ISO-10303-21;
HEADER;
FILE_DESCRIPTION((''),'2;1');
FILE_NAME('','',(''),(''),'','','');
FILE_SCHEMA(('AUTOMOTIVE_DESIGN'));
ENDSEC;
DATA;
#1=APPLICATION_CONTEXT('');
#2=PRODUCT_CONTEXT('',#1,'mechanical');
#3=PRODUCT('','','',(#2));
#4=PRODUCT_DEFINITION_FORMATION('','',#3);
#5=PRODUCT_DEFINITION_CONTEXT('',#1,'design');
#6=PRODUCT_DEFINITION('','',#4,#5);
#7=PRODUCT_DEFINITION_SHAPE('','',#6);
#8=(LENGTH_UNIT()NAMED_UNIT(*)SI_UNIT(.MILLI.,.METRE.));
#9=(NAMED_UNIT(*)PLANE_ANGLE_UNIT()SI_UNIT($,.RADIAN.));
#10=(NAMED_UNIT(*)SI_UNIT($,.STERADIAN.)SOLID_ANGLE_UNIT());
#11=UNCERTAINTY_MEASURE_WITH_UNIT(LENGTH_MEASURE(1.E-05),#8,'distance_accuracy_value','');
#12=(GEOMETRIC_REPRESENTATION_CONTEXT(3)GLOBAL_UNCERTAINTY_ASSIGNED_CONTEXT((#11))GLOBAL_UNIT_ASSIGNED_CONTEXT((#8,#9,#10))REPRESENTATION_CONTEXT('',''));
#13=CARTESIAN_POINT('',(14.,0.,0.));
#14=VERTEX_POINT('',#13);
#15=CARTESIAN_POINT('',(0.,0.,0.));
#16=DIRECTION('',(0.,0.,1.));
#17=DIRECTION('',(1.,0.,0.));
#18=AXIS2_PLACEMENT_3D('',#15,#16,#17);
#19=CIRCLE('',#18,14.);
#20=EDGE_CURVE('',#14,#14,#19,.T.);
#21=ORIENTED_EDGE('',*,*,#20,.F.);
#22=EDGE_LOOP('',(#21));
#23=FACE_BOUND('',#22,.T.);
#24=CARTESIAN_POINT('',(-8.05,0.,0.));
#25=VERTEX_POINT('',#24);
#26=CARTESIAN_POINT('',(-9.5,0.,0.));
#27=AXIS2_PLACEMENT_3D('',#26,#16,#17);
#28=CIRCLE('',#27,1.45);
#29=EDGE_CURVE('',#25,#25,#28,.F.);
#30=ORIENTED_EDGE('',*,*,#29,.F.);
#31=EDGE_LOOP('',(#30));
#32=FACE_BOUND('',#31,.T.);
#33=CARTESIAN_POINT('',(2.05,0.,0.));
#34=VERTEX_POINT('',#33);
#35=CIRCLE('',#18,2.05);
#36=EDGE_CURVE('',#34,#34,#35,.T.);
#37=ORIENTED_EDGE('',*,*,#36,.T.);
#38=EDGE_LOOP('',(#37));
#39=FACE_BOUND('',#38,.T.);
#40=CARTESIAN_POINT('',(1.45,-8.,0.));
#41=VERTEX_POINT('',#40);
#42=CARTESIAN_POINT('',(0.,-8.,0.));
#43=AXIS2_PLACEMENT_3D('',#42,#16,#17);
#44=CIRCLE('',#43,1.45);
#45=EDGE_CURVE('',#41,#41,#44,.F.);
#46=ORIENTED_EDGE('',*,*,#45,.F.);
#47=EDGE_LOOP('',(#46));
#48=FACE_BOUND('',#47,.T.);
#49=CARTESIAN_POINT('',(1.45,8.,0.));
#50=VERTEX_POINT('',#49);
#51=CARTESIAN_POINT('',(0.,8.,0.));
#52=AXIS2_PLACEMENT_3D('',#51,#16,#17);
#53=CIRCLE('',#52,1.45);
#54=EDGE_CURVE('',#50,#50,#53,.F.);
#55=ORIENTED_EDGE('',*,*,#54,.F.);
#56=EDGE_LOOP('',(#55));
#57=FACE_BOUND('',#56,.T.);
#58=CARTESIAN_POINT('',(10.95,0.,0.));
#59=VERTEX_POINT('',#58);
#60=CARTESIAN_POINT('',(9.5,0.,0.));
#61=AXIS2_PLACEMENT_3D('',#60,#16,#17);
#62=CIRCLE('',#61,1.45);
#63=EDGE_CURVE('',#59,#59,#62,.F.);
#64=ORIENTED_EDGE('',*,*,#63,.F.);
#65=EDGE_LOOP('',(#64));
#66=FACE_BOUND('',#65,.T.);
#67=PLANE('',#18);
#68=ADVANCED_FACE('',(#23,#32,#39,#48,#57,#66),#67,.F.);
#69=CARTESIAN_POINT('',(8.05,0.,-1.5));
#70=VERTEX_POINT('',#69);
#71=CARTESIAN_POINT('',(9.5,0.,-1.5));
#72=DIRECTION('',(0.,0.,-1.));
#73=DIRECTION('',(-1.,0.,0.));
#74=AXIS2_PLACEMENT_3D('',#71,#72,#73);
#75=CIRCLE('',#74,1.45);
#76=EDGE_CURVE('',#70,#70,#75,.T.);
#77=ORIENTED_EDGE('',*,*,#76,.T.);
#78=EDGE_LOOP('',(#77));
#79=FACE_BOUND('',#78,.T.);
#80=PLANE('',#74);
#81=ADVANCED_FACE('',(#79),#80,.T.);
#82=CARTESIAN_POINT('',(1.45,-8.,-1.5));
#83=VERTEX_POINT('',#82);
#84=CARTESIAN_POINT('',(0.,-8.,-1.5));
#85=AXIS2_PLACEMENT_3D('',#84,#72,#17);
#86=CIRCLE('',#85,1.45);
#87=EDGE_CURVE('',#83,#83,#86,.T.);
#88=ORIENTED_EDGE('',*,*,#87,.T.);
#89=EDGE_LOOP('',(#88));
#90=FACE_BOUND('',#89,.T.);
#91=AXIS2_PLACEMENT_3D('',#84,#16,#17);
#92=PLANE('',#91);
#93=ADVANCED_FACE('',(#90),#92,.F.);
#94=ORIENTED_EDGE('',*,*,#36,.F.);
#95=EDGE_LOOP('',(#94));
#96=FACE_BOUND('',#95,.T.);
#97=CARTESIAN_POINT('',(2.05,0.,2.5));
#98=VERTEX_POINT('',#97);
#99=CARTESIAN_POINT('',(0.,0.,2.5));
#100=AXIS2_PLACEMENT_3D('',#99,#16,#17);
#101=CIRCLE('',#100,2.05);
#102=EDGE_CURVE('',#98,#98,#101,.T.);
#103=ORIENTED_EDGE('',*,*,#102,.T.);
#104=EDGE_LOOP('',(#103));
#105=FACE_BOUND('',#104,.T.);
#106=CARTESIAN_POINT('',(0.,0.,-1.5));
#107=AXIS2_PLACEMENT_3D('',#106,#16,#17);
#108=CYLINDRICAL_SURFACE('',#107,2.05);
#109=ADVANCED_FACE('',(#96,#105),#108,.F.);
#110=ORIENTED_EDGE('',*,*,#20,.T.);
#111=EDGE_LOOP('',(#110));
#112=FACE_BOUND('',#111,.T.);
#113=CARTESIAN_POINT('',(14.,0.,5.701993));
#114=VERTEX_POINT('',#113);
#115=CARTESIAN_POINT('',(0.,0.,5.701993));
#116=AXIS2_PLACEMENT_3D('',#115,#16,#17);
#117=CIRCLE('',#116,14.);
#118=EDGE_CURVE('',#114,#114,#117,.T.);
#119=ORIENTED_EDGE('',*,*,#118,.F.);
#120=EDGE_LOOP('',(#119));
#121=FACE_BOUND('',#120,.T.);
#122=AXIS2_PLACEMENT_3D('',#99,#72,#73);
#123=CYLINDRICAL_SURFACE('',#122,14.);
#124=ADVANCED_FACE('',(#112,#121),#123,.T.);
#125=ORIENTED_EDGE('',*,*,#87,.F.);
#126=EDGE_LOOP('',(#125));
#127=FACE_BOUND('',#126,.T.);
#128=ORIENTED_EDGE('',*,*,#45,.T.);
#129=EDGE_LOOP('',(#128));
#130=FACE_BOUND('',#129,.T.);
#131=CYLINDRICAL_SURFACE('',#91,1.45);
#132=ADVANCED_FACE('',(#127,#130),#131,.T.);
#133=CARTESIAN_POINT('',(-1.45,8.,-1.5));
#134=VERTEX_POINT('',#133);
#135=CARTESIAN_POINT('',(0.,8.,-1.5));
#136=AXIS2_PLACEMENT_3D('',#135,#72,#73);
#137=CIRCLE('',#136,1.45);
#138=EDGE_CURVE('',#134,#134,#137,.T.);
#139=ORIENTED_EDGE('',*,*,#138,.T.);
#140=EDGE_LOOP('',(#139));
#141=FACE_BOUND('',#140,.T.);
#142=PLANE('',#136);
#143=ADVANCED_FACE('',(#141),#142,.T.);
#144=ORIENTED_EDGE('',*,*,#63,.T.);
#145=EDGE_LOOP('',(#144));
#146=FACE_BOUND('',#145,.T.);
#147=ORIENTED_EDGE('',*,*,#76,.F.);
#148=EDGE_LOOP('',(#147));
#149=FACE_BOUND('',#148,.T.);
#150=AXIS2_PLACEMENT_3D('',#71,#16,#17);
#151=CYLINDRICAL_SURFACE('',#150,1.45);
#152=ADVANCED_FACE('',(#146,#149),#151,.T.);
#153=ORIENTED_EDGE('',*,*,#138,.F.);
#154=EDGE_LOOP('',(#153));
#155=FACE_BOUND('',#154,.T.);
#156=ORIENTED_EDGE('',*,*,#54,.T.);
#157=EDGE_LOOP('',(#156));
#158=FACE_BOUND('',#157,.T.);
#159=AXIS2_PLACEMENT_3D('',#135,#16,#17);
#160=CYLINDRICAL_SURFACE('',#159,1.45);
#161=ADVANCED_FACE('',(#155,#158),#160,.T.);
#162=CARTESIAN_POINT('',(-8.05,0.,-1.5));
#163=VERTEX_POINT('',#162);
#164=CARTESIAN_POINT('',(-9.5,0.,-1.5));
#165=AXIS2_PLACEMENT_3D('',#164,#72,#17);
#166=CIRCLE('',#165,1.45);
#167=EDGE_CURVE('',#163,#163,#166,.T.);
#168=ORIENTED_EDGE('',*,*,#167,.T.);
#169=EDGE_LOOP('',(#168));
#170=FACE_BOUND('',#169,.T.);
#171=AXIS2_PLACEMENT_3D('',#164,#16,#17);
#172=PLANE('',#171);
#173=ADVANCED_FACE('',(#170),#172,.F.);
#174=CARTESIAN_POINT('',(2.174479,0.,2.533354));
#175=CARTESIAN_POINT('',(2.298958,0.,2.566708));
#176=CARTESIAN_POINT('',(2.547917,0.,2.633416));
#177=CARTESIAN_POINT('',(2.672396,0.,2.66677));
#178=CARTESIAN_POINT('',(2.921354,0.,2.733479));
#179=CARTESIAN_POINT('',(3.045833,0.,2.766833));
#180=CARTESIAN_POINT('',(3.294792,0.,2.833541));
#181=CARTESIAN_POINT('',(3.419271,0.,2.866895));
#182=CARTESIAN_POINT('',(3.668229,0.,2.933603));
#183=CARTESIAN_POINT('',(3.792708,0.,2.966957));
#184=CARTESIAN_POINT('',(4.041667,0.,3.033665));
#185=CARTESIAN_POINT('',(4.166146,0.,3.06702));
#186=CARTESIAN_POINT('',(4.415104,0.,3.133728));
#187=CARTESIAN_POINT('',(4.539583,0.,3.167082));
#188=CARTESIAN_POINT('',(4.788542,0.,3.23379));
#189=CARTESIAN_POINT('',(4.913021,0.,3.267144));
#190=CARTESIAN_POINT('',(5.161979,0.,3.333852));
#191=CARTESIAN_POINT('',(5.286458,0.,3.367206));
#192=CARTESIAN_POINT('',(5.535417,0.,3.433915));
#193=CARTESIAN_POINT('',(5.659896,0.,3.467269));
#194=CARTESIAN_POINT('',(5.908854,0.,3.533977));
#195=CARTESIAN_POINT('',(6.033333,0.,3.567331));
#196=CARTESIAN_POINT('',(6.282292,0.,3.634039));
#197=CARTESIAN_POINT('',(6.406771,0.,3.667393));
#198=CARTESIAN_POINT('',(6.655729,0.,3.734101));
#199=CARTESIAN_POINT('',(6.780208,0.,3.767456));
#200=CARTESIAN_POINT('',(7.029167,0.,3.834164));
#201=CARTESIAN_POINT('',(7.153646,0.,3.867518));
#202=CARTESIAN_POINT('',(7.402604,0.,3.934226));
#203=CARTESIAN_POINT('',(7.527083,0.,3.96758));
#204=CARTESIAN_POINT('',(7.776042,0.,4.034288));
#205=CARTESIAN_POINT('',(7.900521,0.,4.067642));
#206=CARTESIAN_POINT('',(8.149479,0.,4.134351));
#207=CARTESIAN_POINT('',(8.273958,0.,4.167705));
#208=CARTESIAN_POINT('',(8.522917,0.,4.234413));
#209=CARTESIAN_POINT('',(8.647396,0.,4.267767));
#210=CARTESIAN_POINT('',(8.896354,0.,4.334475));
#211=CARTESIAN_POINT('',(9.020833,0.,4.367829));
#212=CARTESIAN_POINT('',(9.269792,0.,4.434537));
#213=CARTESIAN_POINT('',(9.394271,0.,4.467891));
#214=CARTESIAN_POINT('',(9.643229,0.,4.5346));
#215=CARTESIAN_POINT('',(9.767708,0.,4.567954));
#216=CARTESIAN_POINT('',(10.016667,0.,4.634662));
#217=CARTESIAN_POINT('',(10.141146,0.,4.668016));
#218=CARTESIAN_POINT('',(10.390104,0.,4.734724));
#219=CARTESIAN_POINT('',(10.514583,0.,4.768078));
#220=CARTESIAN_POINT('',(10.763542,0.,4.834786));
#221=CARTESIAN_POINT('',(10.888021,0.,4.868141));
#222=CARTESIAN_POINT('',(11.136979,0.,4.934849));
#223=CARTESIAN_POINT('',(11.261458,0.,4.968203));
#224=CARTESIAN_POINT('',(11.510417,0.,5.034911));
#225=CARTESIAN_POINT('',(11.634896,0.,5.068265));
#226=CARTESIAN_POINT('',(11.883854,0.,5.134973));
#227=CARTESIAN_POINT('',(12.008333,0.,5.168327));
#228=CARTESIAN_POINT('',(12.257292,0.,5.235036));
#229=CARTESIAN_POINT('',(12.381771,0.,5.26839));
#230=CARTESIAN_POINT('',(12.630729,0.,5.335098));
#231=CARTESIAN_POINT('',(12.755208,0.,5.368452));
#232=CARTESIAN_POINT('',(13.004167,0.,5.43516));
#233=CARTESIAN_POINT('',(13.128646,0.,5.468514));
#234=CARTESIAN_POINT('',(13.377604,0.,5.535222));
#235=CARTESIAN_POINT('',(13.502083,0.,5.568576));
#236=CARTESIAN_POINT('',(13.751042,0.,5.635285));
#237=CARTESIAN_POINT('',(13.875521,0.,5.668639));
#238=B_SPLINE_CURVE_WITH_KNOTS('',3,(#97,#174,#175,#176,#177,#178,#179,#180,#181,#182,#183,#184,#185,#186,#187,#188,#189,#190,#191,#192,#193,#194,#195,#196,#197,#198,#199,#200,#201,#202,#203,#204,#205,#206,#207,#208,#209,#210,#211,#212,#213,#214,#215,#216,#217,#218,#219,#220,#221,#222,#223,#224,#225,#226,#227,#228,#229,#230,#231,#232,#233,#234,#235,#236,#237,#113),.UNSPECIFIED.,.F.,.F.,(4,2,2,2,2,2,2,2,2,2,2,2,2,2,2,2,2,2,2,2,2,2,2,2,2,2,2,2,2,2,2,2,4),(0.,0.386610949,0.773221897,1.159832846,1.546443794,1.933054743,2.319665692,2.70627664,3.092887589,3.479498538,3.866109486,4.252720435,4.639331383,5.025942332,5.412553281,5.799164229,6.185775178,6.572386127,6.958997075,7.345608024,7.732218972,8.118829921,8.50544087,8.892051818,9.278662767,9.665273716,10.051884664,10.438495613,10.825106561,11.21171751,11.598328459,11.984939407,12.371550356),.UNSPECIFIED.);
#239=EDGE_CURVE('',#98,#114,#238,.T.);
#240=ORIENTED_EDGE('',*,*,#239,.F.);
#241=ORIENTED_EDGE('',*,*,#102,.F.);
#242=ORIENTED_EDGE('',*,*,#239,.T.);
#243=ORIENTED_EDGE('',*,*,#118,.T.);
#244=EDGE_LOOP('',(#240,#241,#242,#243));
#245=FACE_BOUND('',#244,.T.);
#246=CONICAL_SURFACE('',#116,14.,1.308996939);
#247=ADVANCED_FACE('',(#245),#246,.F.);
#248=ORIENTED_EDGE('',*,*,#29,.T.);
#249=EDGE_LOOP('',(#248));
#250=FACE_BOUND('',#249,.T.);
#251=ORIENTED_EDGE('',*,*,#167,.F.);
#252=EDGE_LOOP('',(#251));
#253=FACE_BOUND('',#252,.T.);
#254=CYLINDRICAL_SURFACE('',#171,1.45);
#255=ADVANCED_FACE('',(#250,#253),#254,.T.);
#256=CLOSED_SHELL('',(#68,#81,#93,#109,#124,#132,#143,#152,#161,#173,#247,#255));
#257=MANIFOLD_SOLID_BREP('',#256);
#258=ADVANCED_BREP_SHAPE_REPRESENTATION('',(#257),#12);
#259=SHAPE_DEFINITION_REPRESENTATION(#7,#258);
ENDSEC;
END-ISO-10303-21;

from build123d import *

# Parameters (mm, degrees)
SKETCH_1_R          = 14
EXTRUDE_1_DEPTH     = 2.5
SKETCH_2_R          = 1.45
EXTRUDE_2_DEPTH     = 1.5
SKETCH_3_R          = 2.05
CUT_EXTRUDE_1_DEPTH = 21.199009877


with BuildPart() as part:
    # 草图1 → 凸台-拉伸1 (new body)
    with BuildSketch(Plane.XY):
        Circle(SKETCH_1_R)
    extrude(amount=EXTRUDE_1_DEPTH)

    # 草图2 → 凸台-拉伸2 (add)
    with BuildSketch(Plane(origin=(0, 0, 0), x_dir=(-1, 0, 0), z_dir=(0, 0, -1))):
        with Locations(Location((-9.5, 0, 0), (0, 0, 180))):
            Circle(SKETCH_2_R)
        with Locations(Location((0, 8, 0), (0, 0, 180))):
            Circle(SKETCH_2_R)
        with Locations(Location((0, -8, 0), (0, 0, 180))):
            Circle(SKETCH_2_R)
        with Locations(Location((9.5, 0, 0), (0, 0, 180))):
            Circle(SKETCH_2_R)
    extrude(amount=EXTRUDE_2_DEPTH)

    # 草图3 → 切除-拉伸1 (cut, through all)
    with BuildSketch(Plane.XY.offset(2.5)):
        Circle(SKETCH_3_R)
    extrude(amount=-CUT_EXTRUDE_1_DEPTH, mode=Mode.SUBTRACT)

    # 草图4 → 旋转1 (revolve)
    with BuildSketch(Plane(origin=(0, 0, 0), x_dir=(0, 0, -1), z_dir=(1, 0, 0)), mode=Mode.PRIVATE) as revolve_1_sk:
        Polygon((-2.5, 2.05), (-5.70199285, 14), (-2.5, 14), align=None)
    revolve(revolve_1_sk.sketch.rotate(Axis((0, 0, 14.60459965), (0, 0, -1)), 90), axis=Axis((0, 0, 14.60459965), (0, 0, -1)))


solid = part.part
